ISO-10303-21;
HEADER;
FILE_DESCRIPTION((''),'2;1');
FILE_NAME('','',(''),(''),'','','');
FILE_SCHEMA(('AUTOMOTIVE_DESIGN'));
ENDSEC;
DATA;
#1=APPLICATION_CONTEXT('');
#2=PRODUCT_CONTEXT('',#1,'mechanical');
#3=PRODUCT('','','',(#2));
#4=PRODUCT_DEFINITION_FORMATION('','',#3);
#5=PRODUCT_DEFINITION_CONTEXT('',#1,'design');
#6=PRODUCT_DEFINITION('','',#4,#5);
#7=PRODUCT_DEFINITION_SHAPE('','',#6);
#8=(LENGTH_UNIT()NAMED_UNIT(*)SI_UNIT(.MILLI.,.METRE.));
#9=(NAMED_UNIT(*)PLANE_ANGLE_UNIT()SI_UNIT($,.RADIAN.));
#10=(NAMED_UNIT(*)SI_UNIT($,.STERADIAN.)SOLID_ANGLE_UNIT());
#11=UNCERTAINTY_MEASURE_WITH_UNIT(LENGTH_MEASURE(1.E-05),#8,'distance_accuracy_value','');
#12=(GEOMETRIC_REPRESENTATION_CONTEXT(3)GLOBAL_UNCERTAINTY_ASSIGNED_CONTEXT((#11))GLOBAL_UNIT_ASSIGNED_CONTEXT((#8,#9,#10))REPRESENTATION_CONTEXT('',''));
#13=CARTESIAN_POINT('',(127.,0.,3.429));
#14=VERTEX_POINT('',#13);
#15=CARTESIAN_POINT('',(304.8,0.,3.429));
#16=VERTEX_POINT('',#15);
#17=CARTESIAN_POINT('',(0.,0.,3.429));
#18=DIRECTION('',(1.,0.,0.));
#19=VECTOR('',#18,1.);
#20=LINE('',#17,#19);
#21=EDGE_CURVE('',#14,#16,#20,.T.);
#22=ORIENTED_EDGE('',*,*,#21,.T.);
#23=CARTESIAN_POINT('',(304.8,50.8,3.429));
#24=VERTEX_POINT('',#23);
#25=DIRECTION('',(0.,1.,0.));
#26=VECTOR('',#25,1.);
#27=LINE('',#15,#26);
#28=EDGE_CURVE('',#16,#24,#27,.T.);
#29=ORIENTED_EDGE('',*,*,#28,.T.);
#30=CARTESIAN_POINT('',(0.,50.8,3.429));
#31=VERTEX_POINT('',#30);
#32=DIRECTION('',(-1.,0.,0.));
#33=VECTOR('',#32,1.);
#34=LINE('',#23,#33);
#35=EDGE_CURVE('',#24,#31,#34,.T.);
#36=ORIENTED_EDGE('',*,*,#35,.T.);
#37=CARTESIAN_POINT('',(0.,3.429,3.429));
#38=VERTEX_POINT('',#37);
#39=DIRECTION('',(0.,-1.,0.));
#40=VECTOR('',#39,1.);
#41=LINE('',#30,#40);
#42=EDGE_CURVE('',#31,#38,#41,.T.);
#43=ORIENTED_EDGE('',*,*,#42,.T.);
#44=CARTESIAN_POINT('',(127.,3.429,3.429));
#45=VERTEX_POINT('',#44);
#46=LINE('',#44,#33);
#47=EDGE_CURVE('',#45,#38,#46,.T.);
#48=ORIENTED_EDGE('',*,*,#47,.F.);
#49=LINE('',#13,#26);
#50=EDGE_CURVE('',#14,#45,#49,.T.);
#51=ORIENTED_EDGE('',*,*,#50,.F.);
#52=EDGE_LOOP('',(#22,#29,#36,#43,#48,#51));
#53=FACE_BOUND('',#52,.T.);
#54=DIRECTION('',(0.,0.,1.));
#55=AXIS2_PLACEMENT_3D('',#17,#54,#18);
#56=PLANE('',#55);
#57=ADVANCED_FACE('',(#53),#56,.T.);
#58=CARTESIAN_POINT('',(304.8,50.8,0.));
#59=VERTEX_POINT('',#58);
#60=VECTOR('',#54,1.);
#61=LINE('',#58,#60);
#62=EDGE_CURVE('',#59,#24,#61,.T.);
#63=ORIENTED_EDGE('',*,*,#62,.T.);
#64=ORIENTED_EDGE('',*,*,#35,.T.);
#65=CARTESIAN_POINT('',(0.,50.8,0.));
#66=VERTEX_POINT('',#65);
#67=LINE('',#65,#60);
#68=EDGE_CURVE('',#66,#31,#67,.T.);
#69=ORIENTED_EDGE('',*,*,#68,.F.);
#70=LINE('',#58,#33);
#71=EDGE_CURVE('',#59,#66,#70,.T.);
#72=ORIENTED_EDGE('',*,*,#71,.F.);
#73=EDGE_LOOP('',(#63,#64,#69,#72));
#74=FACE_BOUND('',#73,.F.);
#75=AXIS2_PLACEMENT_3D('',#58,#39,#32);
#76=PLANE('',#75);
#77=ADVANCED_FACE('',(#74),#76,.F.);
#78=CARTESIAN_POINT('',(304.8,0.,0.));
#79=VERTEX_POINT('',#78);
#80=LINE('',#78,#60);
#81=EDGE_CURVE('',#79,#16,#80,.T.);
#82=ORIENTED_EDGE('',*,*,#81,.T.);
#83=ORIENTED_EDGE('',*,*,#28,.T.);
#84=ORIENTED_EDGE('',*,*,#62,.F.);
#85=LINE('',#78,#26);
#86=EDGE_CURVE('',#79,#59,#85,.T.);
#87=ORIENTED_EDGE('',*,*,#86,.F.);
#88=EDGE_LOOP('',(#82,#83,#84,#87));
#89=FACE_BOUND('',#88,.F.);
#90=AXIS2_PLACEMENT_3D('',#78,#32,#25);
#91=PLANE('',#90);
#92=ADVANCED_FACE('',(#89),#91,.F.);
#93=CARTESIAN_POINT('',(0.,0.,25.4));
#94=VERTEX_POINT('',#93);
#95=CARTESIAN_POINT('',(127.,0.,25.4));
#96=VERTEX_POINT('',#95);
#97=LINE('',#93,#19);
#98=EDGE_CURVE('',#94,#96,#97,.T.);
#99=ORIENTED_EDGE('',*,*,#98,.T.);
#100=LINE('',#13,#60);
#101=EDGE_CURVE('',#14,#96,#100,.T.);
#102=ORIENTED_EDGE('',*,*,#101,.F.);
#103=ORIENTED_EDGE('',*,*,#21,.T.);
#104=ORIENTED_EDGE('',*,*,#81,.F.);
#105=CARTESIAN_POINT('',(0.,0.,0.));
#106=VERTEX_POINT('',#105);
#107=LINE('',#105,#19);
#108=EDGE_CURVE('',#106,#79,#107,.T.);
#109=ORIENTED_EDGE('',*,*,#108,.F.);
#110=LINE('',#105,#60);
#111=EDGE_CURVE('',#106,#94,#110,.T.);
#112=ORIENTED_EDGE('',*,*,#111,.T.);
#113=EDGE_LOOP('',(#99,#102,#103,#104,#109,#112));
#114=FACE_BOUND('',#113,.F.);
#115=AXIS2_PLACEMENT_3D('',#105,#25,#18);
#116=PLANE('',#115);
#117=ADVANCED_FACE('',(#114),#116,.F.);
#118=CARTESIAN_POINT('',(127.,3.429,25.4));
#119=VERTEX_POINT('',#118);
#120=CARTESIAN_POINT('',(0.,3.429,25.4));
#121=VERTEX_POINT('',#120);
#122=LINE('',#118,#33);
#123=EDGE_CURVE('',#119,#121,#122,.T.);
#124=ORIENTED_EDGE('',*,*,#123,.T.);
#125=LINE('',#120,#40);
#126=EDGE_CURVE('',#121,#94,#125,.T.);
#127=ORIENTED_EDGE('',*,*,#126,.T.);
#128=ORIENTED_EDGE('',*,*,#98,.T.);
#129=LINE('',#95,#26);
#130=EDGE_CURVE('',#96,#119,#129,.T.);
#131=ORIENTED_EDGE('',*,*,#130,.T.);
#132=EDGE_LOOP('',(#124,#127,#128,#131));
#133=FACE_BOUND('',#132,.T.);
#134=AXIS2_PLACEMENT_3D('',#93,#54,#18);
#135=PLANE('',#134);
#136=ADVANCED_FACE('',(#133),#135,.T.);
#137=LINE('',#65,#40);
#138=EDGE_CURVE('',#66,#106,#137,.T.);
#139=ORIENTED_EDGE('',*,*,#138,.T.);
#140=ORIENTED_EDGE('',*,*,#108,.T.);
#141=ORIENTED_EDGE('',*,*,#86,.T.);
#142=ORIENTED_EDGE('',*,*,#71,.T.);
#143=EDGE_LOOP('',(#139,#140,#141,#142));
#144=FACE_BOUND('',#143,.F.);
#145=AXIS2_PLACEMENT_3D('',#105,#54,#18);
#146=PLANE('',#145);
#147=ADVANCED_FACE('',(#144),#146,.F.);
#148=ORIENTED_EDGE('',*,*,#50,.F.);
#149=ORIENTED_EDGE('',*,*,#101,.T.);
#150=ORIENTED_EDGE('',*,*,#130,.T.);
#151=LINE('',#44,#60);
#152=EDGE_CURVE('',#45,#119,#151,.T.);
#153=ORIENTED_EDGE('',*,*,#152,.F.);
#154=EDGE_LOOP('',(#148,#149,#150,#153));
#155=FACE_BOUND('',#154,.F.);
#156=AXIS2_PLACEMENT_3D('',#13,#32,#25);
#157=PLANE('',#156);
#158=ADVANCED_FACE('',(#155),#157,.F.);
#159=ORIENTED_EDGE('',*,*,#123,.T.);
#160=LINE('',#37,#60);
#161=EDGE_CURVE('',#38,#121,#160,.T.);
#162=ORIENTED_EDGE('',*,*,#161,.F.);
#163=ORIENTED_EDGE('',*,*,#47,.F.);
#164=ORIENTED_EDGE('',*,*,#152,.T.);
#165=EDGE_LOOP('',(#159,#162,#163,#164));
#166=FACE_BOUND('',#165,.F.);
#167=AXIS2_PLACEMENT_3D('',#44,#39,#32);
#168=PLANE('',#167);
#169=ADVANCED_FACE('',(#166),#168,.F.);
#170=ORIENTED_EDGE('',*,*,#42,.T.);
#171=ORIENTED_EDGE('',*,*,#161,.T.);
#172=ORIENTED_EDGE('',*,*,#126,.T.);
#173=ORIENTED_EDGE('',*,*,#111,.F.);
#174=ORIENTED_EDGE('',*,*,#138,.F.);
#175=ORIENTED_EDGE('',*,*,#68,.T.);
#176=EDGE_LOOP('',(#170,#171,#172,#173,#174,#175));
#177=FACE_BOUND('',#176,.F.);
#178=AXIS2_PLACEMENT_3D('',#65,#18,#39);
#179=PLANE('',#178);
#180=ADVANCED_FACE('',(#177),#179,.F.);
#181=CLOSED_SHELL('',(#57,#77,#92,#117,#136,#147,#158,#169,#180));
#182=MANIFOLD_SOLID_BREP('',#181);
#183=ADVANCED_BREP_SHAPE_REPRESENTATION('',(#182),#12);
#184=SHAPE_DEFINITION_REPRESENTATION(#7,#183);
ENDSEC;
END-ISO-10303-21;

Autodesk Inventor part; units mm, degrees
ref_plane "YZ Plane" through (0, 0, 0) normal (1, 0, 0) x (0, 1, 0)
ref_plane "XZ Plane" through (0, 0, 0) normal (0, 1, 0) x (-1, 0, 0)
ref_plane "XY Plane" through (0, 0, 0) normal (0, 0, 1) x (1, 0, 0)
sketch "Sketch1" plane through (0, 0, 0) normal (0, 0, 1) x (1, 0, 0)
  line L0 (0, 0) -> (304.8, 0)
  line L1 (304.8, 0) -> (304.8, 50.8)
  line L2 (304.8, 50.8) -> (0, 50.8)
  line L3 (0, 50.8) -> (0, 0)
  dimension "d0" = 304.8
  dimension "d1" = 50.8
extrude "Extrusion1" add sketch "Sketch1" along normal blind 3.429
sketch "Sketch2" plane through (0, 0, 3.429) normal (0, 0, 1) x (1, 0, 0)
  line L0 (0, 0) -> (304.8, 0) projected
  line L1 (0, 0) -> (127, 0)
  line L2 (127, 0) -> (127, 3.429)
  line L3 (127, 3.429) -> (0, 3.429)
  line L4 (0, 3.429) -> (0, 0)
  dimension "d4" = 127
  dimension "d5" = 3.429
extrude "Extrusion2" add sketch "Sketch2" along normal blind 21.971
properties part number "arm left"
